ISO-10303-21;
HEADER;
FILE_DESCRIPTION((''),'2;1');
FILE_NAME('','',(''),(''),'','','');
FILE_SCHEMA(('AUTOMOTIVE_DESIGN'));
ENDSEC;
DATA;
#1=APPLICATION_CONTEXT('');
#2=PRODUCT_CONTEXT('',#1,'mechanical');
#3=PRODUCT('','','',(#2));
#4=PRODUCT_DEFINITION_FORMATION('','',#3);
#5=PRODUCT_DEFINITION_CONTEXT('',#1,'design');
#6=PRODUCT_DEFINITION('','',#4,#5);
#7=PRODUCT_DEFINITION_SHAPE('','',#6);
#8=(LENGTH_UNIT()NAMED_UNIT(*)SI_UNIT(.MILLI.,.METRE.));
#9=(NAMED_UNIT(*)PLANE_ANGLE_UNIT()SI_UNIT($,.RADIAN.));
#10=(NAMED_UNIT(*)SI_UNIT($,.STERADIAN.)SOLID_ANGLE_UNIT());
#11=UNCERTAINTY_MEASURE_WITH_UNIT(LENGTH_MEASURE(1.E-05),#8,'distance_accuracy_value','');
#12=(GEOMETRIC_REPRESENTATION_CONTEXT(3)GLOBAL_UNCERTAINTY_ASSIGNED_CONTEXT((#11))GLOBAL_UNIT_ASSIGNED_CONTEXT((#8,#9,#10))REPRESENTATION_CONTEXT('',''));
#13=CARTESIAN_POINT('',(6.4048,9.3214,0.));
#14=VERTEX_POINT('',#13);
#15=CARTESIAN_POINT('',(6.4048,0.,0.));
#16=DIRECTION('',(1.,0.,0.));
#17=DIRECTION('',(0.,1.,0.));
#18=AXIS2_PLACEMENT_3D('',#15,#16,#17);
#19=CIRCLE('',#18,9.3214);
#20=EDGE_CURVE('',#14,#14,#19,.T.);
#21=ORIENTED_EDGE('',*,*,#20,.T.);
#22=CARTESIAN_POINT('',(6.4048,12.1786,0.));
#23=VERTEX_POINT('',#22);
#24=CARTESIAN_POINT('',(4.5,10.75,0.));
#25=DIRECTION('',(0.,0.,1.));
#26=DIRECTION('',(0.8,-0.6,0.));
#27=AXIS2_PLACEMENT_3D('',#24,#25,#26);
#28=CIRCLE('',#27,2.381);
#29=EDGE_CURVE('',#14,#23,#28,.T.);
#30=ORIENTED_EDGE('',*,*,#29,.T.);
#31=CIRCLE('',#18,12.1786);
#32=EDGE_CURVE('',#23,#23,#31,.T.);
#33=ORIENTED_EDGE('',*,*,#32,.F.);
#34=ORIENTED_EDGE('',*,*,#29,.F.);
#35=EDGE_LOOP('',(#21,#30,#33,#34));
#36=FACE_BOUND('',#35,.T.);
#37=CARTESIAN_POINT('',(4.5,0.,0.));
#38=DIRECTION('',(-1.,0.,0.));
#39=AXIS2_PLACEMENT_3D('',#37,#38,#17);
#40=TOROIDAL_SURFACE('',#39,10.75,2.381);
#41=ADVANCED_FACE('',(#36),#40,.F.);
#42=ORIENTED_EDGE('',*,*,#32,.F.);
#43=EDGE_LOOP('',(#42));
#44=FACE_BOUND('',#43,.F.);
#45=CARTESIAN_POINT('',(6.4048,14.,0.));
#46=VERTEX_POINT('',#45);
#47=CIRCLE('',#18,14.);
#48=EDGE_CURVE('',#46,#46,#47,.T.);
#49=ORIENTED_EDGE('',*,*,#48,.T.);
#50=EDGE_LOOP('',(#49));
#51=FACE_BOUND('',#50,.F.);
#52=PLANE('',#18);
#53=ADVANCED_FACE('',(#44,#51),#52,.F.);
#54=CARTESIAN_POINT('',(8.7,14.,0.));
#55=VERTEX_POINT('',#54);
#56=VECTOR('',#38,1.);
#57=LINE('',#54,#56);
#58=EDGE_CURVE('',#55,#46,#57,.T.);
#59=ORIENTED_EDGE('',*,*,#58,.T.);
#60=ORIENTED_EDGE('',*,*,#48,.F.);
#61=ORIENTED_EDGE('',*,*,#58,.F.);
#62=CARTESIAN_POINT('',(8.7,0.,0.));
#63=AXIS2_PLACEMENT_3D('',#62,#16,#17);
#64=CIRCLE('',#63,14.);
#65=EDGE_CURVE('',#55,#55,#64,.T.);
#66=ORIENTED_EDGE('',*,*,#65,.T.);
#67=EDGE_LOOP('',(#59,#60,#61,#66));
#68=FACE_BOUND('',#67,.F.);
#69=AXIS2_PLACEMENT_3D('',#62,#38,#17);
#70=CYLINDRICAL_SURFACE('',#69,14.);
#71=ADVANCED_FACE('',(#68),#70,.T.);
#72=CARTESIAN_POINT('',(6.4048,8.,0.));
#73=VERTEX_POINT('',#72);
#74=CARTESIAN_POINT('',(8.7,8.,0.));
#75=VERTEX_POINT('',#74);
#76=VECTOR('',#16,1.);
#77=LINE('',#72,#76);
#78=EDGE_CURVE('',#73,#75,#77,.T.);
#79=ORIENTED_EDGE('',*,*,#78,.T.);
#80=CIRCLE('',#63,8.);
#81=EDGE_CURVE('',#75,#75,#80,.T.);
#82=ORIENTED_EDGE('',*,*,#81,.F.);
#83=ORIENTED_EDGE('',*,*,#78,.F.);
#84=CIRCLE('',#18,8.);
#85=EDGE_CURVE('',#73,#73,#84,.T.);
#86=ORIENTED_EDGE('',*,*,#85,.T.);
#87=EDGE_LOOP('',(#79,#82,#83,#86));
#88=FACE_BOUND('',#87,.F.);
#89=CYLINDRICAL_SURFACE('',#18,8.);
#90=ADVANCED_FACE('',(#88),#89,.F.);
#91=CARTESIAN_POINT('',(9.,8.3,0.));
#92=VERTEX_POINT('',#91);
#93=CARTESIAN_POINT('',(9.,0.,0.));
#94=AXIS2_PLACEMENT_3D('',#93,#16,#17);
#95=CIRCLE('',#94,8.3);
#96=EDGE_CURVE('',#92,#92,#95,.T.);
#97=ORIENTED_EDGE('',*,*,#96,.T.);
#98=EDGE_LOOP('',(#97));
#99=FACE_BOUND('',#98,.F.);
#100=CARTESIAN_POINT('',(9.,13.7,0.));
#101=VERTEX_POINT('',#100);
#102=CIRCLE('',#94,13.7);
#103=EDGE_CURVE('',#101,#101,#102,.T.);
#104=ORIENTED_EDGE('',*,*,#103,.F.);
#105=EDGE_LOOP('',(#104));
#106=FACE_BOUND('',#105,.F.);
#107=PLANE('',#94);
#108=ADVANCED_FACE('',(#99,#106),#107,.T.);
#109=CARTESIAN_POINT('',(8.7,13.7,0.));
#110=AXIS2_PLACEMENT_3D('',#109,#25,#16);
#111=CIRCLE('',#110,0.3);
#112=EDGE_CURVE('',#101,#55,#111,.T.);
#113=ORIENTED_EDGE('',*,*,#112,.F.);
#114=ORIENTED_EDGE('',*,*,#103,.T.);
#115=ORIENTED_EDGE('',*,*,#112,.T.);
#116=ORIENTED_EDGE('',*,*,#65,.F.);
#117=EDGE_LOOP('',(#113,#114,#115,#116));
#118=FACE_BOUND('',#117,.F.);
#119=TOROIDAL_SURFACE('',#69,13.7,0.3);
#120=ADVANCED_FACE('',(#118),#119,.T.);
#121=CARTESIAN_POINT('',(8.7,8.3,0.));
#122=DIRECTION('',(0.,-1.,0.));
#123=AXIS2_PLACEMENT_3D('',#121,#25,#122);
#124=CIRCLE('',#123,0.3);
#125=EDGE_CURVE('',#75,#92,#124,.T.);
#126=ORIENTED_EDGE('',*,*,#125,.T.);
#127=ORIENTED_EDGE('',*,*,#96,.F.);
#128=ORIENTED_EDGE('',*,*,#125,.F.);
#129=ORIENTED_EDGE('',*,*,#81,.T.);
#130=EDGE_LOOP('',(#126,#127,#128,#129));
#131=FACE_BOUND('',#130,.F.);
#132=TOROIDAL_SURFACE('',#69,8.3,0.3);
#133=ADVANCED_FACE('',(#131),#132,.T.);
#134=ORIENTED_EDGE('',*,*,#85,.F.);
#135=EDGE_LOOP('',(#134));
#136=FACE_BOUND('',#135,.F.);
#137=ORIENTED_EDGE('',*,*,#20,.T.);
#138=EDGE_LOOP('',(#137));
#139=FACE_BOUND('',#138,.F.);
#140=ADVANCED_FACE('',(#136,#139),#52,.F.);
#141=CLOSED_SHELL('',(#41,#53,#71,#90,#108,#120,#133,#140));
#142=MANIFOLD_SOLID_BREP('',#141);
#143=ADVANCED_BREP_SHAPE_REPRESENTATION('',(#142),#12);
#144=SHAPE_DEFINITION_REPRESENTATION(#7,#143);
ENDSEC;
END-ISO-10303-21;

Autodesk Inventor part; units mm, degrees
ref_plane "YZ Plane" through (0, 0, 0) normal (1, 0, 0) x (0, 1, 0)
ref_plane "XZ Plane" through (0, 0, 0) normal (0, 1, 0) x (-1, 0, 0)
ref_plane "XY Plane" through (0, 0, 0) normal (0, 0, 1) x (1, 0, 0)
sketch "Sketch_1" plane through (0, 0, 0) normal (0, 0, 1) x (1, 0, 0)
  line L0 (8.7, 0) -> (6.4048, 0)
  line L1 (6.4048, 9.3214) -> (6.4048, 8)
  line L2 (6.4048, 8) -> (8.7, 8)
  arc A0 (8.7, 8) -> (9, 8.3) centre (8.7, 8.3) ccw
  line L3 (9, 8.3) -> (9, 13.7)
  arc A1 (9, 13.7) -> (8.7, 14) centre (8.7, 13.7) ccw
  line L4 (8.7, 14) -> (6.4048, 14)
  line L5 (6.4048, 14) -> (6.4048, 12.1786)
  arc A2 (6.4048, 9.3214) -> (6.4048, 12.1786) centre (4.5, 10.75) ccw
revolve "Revolution1" add sketch "Sketch_1" angle 360 about axis through (8.7, 0, 0) along (1, 0, 0)
properties part number "SKF_51102_PART3"
